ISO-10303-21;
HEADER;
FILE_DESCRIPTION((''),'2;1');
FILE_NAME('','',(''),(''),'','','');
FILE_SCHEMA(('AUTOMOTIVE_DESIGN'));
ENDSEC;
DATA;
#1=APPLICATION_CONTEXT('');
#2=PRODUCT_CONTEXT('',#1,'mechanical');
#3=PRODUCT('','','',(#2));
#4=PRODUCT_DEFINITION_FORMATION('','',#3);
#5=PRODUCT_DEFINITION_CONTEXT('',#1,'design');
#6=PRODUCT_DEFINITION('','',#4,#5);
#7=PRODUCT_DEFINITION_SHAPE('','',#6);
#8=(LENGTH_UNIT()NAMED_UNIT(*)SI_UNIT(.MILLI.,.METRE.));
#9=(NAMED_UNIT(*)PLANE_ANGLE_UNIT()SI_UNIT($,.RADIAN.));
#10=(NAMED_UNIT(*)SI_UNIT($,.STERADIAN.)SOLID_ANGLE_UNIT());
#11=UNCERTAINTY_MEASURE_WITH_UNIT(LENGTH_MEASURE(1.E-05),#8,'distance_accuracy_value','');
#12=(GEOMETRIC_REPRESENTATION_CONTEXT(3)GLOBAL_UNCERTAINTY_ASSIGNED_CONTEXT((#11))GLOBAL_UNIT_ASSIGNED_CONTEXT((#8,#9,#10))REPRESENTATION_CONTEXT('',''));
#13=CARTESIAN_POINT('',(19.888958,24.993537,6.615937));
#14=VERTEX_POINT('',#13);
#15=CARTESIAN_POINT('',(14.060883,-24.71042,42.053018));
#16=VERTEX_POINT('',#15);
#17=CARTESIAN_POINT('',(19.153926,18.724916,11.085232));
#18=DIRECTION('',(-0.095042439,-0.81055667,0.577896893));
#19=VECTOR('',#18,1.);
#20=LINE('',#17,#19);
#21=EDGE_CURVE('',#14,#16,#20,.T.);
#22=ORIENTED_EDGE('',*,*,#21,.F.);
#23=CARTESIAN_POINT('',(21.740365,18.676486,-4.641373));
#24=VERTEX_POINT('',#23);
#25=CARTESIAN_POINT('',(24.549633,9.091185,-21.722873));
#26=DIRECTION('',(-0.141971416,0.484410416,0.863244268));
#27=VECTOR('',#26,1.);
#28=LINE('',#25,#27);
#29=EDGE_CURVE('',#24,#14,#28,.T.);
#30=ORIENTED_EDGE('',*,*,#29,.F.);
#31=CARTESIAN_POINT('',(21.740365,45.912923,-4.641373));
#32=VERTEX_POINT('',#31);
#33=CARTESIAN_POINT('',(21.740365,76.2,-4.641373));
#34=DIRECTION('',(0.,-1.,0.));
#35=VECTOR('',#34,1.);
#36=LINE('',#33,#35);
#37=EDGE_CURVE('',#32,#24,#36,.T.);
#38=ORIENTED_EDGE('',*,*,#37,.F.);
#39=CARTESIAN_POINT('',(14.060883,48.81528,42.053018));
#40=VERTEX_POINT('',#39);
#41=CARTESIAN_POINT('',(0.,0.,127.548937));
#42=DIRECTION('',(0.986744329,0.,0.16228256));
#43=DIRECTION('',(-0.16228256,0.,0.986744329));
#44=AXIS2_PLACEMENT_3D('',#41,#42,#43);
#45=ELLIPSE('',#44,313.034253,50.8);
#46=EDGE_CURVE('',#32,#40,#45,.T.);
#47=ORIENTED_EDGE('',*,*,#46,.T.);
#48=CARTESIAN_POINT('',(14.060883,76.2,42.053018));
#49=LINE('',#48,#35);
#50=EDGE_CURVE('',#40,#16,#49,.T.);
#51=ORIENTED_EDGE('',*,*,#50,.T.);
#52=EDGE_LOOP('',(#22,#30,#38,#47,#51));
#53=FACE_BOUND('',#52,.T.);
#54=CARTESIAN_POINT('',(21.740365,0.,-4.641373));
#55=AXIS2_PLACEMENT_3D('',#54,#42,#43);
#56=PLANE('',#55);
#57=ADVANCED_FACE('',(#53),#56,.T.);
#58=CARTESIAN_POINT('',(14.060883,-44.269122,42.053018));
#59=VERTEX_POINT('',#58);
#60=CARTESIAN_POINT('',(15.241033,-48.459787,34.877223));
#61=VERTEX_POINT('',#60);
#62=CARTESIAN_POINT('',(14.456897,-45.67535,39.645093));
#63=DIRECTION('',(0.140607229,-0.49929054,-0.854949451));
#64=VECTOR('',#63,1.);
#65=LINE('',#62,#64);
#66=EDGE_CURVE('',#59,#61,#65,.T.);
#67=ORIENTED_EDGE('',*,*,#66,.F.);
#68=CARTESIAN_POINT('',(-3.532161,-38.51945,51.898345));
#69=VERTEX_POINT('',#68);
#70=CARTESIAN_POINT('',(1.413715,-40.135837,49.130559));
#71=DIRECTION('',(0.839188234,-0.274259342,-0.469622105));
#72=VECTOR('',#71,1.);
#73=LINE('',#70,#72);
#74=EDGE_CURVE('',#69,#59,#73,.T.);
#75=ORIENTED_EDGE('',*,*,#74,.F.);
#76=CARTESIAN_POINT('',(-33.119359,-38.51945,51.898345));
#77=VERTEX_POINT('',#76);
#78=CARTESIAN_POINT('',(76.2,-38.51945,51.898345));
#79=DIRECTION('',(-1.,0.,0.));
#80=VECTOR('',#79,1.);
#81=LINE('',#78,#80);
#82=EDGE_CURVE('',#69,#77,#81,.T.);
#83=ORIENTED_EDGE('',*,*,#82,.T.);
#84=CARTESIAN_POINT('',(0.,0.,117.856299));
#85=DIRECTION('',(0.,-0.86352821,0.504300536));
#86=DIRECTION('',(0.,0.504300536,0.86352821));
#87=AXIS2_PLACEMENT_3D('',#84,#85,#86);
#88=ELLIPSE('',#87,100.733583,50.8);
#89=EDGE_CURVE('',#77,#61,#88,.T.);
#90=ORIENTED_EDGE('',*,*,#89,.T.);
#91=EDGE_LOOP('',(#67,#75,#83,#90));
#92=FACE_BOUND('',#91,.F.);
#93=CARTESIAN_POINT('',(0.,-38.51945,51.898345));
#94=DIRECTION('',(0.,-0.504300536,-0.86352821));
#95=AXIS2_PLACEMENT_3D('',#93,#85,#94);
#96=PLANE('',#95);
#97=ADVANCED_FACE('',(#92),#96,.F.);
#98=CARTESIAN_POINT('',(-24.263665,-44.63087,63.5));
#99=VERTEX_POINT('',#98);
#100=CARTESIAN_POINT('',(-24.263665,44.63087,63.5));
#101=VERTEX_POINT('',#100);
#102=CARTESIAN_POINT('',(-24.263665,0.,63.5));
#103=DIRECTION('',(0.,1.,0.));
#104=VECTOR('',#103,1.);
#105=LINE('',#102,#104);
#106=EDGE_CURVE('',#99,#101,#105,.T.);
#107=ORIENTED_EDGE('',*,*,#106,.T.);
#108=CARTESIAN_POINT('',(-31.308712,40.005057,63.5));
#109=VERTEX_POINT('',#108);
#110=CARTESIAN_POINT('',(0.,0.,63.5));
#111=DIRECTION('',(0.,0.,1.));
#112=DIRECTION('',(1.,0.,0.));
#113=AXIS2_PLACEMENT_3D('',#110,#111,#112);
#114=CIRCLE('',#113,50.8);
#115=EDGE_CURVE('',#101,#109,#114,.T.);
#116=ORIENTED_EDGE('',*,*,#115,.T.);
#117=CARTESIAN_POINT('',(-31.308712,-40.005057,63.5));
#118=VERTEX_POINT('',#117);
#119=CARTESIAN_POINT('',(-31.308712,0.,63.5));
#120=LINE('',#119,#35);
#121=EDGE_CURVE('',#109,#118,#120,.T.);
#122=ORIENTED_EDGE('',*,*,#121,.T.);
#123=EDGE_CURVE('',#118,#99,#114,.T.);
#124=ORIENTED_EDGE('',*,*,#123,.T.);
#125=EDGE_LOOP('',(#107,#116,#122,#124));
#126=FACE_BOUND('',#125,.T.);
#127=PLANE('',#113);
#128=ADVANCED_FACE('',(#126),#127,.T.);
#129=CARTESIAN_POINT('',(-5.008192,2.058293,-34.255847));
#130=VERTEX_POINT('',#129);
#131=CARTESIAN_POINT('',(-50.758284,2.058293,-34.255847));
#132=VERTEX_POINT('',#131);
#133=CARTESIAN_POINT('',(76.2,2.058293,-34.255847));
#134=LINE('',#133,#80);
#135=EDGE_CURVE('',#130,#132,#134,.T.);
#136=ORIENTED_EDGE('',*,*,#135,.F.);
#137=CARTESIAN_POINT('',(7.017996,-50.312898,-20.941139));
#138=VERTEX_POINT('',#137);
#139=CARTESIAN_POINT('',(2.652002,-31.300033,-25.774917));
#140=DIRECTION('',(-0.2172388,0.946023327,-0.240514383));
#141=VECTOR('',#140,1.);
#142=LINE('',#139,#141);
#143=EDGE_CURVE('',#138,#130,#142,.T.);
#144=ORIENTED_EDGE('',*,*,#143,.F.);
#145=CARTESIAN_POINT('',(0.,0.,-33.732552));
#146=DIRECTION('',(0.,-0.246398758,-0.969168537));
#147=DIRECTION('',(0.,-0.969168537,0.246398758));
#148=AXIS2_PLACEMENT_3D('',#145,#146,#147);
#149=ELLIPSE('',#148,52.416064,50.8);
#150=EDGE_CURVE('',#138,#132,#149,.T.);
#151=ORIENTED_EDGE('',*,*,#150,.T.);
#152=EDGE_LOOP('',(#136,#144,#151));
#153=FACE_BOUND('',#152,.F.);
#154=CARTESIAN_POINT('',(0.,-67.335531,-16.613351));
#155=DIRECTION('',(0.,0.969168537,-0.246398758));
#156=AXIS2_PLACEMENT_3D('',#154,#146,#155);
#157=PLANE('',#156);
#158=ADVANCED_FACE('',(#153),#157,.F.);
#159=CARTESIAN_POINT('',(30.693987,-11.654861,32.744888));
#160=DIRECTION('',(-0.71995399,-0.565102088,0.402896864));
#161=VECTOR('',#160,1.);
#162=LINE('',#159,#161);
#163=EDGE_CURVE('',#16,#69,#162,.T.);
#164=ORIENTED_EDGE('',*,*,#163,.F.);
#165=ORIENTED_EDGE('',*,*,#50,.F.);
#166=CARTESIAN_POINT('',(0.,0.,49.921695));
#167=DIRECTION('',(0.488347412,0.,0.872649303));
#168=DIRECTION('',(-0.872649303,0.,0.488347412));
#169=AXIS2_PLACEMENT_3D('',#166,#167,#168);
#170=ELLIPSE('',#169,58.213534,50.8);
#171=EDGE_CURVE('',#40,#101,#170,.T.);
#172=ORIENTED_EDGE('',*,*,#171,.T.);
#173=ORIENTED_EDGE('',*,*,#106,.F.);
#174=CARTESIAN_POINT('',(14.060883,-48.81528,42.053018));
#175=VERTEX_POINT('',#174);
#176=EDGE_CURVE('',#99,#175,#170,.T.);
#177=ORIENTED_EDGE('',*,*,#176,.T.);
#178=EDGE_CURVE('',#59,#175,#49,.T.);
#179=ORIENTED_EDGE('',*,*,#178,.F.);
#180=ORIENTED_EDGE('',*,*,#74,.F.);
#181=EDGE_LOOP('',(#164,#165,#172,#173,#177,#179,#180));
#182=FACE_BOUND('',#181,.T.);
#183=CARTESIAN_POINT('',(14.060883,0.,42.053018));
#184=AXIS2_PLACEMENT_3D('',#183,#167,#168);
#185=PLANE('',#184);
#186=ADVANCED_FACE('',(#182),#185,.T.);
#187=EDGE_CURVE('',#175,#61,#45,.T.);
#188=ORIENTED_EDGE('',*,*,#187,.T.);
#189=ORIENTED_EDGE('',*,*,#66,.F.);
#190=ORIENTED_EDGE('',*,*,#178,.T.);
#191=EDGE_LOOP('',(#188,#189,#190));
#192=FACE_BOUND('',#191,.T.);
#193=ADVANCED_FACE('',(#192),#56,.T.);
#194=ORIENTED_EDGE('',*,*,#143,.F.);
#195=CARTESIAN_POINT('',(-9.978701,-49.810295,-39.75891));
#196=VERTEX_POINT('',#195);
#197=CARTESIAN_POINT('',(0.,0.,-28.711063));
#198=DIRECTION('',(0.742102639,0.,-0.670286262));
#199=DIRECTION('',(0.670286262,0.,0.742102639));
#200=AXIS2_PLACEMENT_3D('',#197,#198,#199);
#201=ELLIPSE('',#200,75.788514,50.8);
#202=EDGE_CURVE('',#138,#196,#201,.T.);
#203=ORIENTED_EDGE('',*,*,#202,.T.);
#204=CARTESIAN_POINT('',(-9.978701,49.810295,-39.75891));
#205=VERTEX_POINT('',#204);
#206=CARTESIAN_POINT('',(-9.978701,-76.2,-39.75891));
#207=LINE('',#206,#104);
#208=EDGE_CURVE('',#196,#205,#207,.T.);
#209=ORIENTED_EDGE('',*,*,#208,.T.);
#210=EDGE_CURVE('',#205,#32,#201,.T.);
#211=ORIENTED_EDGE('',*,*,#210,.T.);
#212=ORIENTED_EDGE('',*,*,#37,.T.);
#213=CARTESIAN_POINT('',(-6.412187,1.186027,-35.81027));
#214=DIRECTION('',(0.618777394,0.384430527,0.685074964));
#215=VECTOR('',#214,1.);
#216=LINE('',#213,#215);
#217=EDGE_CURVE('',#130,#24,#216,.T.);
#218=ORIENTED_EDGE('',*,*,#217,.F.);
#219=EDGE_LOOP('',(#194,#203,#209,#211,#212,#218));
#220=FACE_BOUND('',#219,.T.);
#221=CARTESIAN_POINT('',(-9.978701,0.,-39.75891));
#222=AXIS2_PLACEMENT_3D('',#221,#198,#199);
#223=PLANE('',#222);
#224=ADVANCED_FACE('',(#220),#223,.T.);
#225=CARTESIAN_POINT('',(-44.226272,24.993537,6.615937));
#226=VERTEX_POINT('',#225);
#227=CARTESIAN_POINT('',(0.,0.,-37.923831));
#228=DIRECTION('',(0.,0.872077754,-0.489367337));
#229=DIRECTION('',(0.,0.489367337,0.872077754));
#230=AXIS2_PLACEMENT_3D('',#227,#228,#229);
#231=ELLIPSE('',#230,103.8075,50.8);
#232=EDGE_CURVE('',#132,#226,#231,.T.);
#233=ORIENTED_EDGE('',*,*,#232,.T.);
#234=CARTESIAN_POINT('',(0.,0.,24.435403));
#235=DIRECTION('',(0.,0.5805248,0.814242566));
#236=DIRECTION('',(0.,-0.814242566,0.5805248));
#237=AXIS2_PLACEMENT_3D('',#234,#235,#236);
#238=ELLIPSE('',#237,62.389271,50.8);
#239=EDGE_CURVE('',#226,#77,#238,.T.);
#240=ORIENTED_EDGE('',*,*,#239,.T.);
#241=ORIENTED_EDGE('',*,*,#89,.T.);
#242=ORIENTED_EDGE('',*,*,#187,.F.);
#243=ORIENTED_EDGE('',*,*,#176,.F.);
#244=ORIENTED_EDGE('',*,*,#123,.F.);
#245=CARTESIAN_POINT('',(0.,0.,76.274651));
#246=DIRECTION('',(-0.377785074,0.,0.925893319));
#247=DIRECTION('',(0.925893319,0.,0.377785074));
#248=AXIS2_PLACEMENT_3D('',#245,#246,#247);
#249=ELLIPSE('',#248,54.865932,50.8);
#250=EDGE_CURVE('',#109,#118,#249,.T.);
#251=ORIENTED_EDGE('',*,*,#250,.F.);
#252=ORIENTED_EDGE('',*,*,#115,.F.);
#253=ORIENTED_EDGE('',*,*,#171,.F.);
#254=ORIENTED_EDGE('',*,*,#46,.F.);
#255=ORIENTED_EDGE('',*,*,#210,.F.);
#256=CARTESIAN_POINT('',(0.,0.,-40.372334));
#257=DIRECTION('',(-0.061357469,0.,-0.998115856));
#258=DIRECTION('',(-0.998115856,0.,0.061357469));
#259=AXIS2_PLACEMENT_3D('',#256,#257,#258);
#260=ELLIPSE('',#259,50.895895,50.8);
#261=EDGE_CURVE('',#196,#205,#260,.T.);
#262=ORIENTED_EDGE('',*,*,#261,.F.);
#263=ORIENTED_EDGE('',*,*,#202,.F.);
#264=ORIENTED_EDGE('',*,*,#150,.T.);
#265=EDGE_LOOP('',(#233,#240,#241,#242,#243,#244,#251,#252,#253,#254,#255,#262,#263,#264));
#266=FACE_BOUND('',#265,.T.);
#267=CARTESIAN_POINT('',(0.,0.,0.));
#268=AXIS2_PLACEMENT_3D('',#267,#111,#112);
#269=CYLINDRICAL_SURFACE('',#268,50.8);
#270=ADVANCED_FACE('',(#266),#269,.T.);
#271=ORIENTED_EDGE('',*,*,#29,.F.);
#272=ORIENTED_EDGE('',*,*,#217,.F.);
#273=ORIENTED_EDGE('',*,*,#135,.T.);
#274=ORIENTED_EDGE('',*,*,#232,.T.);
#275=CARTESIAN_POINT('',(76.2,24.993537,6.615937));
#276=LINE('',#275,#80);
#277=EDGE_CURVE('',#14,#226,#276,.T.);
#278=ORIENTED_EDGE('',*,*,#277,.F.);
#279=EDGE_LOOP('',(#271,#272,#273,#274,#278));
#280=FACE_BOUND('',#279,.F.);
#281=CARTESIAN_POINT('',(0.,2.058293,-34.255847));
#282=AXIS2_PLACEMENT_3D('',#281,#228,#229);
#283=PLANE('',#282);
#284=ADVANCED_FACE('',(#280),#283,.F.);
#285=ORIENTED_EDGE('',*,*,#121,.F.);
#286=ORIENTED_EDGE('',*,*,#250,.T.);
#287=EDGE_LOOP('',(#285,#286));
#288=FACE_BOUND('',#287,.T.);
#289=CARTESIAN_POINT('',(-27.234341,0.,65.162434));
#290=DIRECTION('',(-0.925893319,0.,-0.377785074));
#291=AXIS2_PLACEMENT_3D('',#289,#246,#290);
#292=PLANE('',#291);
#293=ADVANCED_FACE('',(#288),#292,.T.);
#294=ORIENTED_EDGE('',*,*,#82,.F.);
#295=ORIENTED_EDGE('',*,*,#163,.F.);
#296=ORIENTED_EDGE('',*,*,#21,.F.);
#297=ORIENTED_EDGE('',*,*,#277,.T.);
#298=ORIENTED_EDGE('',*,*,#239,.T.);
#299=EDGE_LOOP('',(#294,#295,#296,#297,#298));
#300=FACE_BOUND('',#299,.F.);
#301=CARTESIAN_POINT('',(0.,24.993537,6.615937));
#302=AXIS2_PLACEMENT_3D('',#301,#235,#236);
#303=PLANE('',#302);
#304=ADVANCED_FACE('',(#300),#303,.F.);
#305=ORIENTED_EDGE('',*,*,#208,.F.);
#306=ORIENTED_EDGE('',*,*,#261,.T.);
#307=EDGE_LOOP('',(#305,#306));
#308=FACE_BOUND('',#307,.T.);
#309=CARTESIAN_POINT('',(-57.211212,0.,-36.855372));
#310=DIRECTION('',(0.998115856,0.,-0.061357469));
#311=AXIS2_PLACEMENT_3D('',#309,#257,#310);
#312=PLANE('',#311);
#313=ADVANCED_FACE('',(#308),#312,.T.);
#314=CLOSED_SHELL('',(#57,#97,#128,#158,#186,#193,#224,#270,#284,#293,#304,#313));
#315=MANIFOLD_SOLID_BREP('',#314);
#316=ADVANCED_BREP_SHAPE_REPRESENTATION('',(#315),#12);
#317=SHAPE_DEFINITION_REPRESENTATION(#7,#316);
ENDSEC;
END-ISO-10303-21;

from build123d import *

# Parameters (mm, degrees)
F0_R     = 50.8
F1_DEPTH = 63.5
F3_DEPTH = 76.2
F5_DEPTH = 76.2


with BuildPart() as f1:
    # F0 (on Top) → F1 (new body, symmetric)
    with BuildSketch(Plane.XY):
        Circle(F0_R)
    extrude(amount=F1_DEPTH, both=True)

    # F2 (on Front) → F3 (intersect, symmetric)
    with BuildSketch(Plane.XZ):
        Polygon((-9.978701, -39.75891), (21.740365, -4.641373), (14.060883, 42.053018), (-27.234341, 65.162434), (-71.04916, 47.285013), (-84.390123, 1.882818), (-57.211212, -36.855372), align=None)
    extrude(amount=F3_DEPTH, both=True, mode=Mode.INTERSECT)

    # F4 (on Right) → F5 (cut, symmetric)
    with BuildSketch(Plane.YZ):
        Polygon((-38.51945, 51.898345), (-59.98449, 15.143144), (-67.335531, -16.613351), (2.058293, -34.255847), (24.993537, 6.615937), align=None)
    extrude(amount=F5_DEPTH, both=True, mode=Mode.SUBTRACT)


solid = f1.part
